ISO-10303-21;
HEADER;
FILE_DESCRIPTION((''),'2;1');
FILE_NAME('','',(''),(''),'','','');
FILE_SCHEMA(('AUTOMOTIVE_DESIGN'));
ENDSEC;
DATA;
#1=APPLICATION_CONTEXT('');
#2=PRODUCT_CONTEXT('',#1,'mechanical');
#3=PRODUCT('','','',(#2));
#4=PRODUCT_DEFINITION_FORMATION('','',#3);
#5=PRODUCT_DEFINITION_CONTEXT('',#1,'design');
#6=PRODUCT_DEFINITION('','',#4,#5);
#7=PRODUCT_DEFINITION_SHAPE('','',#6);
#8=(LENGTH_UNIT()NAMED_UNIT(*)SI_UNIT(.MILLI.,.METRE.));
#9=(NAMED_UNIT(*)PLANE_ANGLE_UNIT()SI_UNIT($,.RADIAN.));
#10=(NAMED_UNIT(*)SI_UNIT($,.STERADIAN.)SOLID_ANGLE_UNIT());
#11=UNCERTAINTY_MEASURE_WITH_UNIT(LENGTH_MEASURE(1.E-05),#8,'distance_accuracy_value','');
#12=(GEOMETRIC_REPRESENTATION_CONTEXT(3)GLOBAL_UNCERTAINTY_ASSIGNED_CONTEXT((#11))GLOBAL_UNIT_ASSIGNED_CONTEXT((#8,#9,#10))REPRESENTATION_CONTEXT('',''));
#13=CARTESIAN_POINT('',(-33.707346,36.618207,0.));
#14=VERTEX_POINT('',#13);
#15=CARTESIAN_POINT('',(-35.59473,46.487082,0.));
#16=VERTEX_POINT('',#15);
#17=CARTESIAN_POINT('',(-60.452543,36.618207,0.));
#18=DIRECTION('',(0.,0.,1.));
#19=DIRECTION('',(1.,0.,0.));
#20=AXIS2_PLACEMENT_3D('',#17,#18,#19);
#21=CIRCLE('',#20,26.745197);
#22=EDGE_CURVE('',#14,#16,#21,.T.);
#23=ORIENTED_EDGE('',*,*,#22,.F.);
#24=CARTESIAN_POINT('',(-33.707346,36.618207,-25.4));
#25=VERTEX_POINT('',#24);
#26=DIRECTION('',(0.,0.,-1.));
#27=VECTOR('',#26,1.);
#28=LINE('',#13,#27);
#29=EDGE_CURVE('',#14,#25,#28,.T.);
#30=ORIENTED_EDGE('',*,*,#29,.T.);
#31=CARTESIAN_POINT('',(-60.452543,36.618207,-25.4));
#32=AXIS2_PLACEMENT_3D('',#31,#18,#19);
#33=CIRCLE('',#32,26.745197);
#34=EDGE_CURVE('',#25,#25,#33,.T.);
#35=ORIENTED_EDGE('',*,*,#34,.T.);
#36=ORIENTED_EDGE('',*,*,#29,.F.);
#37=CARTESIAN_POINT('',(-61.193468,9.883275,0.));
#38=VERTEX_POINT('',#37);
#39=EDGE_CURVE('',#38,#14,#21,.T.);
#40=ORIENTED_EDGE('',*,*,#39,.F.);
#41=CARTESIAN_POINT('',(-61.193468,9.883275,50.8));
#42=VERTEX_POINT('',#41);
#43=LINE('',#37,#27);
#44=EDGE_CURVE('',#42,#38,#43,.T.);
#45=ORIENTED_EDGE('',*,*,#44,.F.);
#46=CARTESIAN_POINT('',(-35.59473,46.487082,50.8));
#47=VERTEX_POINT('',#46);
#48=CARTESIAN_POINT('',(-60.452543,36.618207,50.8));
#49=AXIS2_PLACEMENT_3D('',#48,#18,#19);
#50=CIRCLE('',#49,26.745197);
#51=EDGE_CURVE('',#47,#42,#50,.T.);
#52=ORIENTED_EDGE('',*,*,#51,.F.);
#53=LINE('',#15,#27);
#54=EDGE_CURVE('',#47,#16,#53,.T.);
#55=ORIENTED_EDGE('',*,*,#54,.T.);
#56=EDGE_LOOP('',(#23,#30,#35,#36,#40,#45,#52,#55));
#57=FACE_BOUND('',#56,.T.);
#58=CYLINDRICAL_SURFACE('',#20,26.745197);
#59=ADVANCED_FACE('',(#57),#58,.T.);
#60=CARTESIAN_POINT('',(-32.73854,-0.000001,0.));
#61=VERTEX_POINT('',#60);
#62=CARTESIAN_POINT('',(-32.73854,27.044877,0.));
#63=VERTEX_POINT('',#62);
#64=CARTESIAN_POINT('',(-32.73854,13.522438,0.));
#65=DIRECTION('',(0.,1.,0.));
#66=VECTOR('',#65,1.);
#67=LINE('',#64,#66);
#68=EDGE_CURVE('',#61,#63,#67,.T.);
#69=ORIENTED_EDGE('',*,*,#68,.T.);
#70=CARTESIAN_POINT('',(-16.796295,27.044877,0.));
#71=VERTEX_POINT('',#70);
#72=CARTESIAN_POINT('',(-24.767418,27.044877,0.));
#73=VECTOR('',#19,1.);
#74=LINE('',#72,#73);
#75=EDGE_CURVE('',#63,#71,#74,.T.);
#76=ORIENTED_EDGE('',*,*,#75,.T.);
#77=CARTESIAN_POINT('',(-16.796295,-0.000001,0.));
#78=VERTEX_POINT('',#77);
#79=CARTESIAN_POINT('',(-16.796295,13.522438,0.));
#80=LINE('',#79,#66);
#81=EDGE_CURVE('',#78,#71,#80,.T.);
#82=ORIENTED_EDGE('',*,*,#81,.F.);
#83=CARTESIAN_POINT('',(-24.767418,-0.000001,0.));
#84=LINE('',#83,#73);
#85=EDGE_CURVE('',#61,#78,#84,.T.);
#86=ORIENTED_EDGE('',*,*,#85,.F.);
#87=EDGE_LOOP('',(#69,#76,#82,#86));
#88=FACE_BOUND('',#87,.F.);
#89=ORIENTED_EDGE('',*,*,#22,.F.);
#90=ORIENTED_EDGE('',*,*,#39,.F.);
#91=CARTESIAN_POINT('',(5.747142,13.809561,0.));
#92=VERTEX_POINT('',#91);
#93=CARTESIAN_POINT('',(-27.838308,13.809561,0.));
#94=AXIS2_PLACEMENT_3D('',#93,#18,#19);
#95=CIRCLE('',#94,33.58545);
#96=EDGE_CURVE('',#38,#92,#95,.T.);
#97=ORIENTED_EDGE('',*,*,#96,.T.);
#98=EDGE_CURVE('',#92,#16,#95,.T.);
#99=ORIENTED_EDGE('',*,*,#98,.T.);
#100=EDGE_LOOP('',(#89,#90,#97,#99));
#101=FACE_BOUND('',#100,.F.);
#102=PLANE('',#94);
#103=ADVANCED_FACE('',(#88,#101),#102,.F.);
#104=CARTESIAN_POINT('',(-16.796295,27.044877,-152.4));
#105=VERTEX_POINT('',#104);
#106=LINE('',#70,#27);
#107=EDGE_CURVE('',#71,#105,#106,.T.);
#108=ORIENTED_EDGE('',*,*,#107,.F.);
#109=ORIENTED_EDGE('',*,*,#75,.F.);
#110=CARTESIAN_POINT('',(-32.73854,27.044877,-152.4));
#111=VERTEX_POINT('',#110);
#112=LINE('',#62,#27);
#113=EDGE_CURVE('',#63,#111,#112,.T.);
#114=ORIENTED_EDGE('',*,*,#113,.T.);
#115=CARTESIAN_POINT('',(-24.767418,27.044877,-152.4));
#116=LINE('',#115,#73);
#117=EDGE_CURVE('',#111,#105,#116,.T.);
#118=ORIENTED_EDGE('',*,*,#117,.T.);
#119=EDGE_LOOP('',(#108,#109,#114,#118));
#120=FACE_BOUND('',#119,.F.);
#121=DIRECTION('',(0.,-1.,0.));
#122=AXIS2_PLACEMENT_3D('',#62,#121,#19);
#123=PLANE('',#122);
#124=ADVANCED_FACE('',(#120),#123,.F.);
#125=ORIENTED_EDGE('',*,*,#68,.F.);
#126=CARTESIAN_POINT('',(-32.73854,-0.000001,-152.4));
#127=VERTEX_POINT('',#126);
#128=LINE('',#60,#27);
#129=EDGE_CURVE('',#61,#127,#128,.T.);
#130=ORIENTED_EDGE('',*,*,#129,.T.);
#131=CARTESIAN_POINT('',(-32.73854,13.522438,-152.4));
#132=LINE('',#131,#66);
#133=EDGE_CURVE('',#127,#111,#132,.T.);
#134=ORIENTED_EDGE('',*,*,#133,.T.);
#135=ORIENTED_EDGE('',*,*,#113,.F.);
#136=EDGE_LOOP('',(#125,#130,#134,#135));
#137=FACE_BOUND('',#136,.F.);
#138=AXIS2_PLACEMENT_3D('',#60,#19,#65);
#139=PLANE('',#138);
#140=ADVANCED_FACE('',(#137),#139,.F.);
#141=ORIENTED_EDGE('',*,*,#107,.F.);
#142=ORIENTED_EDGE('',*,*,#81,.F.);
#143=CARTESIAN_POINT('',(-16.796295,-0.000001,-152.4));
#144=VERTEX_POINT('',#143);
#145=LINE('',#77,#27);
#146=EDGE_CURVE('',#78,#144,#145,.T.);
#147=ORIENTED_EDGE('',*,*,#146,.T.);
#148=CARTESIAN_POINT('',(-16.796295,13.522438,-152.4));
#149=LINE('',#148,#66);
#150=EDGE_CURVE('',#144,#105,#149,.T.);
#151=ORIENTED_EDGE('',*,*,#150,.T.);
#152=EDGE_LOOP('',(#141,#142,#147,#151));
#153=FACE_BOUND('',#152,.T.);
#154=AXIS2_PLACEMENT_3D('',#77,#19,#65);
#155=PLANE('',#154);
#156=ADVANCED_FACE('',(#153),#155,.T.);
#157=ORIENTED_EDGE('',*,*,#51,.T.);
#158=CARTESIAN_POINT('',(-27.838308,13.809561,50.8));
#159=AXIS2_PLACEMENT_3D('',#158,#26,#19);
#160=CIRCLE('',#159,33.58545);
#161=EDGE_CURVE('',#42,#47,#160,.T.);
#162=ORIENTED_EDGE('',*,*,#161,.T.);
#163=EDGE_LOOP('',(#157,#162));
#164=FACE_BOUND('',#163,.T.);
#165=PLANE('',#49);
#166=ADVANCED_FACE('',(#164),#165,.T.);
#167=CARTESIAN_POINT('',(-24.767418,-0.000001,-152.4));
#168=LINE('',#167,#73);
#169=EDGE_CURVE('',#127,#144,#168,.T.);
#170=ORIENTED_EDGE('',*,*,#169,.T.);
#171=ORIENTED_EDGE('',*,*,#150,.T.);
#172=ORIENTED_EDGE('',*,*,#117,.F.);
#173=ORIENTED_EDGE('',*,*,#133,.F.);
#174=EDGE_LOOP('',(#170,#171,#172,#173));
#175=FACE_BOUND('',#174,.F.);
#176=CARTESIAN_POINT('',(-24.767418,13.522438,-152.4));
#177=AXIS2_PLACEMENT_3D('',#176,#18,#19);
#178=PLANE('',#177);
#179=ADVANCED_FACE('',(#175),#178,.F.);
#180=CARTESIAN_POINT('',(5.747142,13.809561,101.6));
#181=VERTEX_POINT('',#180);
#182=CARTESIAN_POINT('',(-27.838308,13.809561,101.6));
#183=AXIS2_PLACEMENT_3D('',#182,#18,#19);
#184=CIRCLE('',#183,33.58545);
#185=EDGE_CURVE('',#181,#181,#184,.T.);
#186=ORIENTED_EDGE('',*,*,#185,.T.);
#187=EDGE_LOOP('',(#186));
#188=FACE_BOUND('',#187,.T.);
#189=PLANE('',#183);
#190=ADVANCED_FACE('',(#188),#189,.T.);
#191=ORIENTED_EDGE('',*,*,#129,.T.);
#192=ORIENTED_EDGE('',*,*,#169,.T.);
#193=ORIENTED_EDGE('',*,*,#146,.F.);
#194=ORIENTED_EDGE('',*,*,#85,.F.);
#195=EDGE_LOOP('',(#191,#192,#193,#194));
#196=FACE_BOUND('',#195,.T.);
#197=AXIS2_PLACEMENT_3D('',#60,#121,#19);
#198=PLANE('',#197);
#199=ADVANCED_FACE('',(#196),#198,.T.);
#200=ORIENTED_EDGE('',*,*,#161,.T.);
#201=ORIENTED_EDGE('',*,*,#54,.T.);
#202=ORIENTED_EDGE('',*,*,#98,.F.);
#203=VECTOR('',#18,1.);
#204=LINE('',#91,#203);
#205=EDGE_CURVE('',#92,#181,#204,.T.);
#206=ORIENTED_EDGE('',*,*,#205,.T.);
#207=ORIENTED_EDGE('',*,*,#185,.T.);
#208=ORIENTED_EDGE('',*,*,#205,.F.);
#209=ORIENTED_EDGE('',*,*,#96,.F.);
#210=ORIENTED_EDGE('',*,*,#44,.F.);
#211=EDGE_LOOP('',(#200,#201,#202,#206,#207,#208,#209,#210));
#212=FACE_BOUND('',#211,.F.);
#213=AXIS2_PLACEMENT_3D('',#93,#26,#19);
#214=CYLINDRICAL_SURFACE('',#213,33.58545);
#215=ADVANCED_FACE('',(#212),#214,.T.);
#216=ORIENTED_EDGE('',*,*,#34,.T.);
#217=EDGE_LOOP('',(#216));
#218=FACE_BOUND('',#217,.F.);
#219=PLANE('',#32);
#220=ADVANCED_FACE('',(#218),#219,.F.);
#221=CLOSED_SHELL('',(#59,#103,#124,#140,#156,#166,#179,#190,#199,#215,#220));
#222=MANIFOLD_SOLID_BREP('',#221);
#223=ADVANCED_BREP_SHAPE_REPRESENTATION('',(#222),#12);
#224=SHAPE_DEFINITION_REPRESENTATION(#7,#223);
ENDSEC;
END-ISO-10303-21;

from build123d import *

# Parameters (mm, degrees)
F0_R     = 26.745197
F1_DEPTH = 50.8
F2_R     = 33.58545
F3_DEPTH = 101.6
F4_DEPTH = 50.8
F5_DEPTH = 25.4
F6_W     = 15.942245
F6_H     = 27.044877
F7_DEPTH = 152.4


with BuildPart() as f1:
    # F0 (on Top) → F1 (new body)
    with BuildSketch(Plane.XY):
        with Locations((-60.452543, 36.618207)):
            Circle(F0_R)
    extrude(amount=F1_DEPTH)

    # F2 (on Top) → F3 (join)
    with BuildSketch(Plane.XY):
        with Locations((-27.838308, 13.809561)):
            Circle(F2_R)
    extrude(amount=F3_DEPTH)

    # F0 (on Top) → F4 (join)
    with BuildSketch(Plane.XY):
        with Locations((-60.452543, 36.618207)):
            Circle(F0_R)
    extrude(amount=F4_DEPTH)

    # F0 (on Top) → F5 (join)
    with BuildSketch(Plane.XY):
        with Locations((-60.452543, 36.618207)):
            Circle(F0_R)
    extrude(amount=-F5_DEPTH)

    # F6 (on Top) → F7 (join)
    with BuildSketch(Plane.XY):
        with Locations((-24.767418, 13.522438)):
            Rectangle(F6_W, F6_H)
    extrude(amount=-F7_DEPTH)


solid = f1.part
